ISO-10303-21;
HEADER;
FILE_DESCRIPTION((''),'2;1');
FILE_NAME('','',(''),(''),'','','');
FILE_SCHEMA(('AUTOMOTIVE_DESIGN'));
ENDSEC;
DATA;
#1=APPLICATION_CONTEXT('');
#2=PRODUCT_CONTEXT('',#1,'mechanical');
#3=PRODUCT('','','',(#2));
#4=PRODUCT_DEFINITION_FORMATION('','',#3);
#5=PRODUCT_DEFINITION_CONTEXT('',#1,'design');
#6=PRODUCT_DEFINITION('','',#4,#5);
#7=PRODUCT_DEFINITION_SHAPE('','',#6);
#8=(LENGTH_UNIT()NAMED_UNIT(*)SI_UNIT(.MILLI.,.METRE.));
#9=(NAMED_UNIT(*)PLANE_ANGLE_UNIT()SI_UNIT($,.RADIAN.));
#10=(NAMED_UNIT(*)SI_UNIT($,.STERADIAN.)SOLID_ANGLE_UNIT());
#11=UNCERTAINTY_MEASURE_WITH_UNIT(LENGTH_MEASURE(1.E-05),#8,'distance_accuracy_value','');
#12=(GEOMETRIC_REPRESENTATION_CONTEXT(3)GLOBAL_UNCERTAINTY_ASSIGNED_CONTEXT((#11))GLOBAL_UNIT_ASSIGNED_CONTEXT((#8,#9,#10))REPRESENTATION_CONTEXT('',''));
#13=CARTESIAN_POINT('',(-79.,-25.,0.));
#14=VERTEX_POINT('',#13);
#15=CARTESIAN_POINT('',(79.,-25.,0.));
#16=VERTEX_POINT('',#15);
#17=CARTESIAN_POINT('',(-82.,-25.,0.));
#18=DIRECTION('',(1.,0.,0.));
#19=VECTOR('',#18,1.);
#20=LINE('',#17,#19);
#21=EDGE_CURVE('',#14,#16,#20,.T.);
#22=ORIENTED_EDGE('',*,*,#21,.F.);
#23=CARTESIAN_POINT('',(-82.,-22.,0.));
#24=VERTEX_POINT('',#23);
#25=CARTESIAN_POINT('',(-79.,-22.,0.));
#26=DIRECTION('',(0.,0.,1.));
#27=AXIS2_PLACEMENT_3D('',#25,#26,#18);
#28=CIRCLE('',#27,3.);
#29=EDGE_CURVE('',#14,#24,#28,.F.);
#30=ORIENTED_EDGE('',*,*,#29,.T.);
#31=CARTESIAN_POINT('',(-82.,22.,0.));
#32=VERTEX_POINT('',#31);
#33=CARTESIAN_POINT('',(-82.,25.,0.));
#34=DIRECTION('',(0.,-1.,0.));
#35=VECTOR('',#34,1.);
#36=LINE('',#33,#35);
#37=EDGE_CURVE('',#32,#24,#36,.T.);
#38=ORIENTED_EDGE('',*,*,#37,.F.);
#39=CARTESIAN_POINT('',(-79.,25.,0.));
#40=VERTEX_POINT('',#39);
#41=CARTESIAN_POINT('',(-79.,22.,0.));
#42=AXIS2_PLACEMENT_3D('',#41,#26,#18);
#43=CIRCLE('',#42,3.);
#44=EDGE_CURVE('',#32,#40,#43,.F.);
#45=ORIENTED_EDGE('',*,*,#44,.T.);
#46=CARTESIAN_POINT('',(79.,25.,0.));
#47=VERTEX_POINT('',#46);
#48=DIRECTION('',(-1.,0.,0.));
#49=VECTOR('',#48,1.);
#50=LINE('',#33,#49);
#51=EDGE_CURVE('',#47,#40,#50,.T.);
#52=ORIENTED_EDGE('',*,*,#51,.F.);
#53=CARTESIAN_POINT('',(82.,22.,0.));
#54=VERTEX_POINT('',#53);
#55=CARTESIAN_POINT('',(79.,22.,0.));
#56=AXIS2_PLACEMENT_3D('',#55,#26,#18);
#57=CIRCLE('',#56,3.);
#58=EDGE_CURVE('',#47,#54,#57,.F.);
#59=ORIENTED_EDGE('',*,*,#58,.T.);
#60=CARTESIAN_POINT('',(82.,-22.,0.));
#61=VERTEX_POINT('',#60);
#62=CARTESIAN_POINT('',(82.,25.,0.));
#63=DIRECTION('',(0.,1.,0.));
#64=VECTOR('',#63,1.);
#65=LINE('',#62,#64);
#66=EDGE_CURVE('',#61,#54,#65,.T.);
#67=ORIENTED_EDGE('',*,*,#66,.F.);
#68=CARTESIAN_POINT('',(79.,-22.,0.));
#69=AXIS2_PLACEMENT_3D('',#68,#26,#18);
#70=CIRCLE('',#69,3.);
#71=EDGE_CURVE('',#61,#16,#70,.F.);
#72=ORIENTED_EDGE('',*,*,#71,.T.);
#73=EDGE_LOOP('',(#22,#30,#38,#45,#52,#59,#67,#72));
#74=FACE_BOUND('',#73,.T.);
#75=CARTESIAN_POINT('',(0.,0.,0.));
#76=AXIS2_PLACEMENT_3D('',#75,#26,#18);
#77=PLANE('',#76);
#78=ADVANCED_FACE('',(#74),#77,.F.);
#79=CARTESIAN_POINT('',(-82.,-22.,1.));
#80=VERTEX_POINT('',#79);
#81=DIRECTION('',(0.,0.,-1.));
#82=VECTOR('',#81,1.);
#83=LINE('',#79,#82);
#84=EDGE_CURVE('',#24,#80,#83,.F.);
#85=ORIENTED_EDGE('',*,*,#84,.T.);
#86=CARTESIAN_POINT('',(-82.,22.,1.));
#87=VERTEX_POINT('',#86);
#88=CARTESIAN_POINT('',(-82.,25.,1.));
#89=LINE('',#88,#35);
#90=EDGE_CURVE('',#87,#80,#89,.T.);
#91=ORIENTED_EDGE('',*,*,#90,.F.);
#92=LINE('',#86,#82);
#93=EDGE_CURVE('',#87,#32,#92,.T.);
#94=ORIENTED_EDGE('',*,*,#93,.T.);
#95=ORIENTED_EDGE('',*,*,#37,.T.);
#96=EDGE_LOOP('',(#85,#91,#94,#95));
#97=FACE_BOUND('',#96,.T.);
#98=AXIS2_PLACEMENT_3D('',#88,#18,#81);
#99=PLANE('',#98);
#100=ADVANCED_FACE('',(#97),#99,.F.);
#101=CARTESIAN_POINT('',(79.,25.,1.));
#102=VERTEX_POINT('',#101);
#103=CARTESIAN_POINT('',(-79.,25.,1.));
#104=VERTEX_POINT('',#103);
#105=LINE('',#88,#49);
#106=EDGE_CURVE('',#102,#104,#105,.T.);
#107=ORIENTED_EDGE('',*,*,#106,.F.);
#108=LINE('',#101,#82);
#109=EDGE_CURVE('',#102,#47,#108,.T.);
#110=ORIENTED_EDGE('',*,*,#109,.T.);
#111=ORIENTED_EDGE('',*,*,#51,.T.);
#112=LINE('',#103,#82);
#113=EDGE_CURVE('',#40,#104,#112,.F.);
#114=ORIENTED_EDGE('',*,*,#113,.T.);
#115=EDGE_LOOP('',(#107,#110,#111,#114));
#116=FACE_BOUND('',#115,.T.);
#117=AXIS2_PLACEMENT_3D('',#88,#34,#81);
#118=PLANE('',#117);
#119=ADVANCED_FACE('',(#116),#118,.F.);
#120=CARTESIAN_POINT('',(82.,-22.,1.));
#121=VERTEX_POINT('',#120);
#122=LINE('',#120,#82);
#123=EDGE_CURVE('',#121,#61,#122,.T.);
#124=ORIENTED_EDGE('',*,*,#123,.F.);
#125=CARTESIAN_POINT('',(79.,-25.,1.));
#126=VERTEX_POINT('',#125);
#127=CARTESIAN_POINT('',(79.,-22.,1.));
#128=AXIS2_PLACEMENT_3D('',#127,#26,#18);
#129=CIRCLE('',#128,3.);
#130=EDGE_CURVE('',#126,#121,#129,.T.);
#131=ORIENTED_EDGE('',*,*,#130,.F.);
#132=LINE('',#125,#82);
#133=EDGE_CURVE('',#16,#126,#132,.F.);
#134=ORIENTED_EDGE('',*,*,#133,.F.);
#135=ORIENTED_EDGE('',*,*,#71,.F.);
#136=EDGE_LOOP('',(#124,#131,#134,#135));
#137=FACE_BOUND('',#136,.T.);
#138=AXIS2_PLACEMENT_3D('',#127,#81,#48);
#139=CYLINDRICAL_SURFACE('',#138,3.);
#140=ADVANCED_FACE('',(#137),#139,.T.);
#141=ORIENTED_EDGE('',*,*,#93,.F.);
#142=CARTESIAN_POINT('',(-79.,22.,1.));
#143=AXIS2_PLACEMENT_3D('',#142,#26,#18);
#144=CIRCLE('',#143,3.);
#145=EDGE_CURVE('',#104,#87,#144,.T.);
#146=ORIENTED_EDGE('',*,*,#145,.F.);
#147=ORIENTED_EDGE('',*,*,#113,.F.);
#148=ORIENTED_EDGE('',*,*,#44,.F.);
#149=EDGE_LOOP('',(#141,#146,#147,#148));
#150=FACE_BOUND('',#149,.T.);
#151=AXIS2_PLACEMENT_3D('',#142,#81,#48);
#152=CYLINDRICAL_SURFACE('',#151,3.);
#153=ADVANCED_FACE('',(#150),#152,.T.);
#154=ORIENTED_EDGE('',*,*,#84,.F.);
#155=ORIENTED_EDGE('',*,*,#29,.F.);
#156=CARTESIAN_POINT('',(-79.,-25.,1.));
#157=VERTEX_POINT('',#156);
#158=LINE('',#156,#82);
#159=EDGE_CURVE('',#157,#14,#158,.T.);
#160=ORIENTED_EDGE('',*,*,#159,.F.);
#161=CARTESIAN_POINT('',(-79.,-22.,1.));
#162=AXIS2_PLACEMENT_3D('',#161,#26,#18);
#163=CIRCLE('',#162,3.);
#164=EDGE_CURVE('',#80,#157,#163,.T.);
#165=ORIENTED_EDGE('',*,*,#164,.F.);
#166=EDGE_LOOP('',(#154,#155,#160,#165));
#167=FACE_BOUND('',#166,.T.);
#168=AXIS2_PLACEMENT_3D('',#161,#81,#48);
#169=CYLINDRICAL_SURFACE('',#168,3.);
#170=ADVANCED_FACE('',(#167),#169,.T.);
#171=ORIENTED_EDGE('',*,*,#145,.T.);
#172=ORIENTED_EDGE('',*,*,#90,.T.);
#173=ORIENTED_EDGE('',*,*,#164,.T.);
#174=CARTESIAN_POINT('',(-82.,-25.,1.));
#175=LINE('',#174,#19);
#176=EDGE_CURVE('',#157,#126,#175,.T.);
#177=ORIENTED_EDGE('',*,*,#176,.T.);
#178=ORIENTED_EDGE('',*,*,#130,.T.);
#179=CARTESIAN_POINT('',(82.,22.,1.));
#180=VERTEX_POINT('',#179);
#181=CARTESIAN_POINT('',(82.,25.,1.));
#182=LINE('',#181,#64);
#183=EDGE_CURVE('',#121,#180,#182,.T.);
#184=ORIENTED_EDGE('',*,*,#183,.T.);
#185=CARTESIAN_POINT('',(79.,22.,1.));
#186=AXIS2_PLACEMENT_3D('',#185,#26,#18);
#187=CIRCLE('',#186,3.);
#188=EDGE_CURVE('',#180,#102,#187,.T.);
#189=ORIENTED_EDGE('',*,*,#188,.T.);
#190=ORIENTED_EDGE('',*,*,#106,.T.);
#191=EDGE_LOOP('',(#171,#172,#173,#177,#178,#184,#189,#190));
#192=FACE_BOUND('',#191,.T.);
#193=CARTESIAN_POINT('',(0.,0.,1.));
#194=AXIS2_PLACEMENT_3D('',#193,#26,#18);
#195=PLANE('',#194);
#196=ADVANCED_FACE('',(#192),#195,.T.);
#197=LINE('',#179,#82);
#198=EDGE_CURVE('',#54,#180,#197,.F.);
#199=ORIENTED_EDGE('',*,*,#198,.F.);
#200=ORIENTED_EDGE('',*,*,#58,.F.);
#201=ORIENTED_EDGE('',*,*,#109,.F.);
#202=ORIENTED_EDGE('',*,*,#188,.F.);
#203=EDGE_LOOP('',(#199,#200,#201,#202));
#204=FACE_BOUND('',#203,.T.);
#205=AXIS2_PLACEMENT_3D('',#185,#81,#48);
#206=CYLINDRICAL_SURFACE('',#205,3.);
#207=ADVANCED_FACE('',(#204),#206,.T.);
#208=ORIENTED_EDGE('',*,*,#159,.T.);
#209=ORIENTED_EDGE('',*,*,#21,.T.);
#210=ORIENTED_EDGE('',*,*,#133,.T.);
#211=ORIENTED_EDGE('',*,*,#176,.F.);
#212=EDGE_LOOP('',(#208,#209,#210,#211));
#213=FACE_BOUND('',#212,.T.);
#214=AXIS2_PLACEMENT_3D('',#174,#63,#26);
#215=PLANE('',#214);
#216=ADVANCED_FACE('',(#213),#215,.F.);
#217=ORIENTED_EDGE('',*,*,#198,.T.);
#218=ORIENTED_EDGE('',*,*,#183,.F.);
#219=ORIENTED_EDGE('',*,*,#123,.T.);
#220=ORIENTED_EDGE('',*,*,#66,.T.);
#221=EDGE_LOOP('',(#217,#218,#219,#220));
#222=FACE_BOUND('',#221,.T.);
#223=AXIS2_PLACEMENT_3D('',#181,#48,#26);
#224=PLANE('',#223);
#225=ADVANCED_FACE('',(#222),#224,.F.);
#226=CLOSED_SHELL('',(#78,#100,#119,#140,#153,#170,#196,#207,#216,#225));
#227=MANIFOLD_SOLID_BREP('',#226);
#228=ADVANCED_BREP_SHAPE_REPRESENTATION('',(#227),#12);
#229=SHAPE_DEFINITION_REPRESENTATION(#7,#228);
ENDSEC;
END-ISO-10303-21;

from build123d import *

# Parameters (mm, degrees)
SKETCH_1_W      = 164
SKETCH_1_H      = 50
EXTRUDE_1_DEPTH = 1
FILLET_1_R      = 3


with BuildPart() as part:
    # 草图1 → 凸台-拉伸1 (new body)
    with BuildSketch(Plane.XY):
        Rectangle(SKETCH_1_W, SKETCH_1_H)
    extrude(amount=EXTRUDE_1_DEPTH)

    # 圆角1
    fillet_1_edges = [part.edges().sort_by_distance(p)[0] for p in [
        (82, -25, 0.5),
        (-82, -25, 0.5),
        (-82, 25, 0.5),
        (82, 25, 0.5),
    ]]
    fillet(fillet_1_edges, radius=FILLET_1_R)


solid = part.part
